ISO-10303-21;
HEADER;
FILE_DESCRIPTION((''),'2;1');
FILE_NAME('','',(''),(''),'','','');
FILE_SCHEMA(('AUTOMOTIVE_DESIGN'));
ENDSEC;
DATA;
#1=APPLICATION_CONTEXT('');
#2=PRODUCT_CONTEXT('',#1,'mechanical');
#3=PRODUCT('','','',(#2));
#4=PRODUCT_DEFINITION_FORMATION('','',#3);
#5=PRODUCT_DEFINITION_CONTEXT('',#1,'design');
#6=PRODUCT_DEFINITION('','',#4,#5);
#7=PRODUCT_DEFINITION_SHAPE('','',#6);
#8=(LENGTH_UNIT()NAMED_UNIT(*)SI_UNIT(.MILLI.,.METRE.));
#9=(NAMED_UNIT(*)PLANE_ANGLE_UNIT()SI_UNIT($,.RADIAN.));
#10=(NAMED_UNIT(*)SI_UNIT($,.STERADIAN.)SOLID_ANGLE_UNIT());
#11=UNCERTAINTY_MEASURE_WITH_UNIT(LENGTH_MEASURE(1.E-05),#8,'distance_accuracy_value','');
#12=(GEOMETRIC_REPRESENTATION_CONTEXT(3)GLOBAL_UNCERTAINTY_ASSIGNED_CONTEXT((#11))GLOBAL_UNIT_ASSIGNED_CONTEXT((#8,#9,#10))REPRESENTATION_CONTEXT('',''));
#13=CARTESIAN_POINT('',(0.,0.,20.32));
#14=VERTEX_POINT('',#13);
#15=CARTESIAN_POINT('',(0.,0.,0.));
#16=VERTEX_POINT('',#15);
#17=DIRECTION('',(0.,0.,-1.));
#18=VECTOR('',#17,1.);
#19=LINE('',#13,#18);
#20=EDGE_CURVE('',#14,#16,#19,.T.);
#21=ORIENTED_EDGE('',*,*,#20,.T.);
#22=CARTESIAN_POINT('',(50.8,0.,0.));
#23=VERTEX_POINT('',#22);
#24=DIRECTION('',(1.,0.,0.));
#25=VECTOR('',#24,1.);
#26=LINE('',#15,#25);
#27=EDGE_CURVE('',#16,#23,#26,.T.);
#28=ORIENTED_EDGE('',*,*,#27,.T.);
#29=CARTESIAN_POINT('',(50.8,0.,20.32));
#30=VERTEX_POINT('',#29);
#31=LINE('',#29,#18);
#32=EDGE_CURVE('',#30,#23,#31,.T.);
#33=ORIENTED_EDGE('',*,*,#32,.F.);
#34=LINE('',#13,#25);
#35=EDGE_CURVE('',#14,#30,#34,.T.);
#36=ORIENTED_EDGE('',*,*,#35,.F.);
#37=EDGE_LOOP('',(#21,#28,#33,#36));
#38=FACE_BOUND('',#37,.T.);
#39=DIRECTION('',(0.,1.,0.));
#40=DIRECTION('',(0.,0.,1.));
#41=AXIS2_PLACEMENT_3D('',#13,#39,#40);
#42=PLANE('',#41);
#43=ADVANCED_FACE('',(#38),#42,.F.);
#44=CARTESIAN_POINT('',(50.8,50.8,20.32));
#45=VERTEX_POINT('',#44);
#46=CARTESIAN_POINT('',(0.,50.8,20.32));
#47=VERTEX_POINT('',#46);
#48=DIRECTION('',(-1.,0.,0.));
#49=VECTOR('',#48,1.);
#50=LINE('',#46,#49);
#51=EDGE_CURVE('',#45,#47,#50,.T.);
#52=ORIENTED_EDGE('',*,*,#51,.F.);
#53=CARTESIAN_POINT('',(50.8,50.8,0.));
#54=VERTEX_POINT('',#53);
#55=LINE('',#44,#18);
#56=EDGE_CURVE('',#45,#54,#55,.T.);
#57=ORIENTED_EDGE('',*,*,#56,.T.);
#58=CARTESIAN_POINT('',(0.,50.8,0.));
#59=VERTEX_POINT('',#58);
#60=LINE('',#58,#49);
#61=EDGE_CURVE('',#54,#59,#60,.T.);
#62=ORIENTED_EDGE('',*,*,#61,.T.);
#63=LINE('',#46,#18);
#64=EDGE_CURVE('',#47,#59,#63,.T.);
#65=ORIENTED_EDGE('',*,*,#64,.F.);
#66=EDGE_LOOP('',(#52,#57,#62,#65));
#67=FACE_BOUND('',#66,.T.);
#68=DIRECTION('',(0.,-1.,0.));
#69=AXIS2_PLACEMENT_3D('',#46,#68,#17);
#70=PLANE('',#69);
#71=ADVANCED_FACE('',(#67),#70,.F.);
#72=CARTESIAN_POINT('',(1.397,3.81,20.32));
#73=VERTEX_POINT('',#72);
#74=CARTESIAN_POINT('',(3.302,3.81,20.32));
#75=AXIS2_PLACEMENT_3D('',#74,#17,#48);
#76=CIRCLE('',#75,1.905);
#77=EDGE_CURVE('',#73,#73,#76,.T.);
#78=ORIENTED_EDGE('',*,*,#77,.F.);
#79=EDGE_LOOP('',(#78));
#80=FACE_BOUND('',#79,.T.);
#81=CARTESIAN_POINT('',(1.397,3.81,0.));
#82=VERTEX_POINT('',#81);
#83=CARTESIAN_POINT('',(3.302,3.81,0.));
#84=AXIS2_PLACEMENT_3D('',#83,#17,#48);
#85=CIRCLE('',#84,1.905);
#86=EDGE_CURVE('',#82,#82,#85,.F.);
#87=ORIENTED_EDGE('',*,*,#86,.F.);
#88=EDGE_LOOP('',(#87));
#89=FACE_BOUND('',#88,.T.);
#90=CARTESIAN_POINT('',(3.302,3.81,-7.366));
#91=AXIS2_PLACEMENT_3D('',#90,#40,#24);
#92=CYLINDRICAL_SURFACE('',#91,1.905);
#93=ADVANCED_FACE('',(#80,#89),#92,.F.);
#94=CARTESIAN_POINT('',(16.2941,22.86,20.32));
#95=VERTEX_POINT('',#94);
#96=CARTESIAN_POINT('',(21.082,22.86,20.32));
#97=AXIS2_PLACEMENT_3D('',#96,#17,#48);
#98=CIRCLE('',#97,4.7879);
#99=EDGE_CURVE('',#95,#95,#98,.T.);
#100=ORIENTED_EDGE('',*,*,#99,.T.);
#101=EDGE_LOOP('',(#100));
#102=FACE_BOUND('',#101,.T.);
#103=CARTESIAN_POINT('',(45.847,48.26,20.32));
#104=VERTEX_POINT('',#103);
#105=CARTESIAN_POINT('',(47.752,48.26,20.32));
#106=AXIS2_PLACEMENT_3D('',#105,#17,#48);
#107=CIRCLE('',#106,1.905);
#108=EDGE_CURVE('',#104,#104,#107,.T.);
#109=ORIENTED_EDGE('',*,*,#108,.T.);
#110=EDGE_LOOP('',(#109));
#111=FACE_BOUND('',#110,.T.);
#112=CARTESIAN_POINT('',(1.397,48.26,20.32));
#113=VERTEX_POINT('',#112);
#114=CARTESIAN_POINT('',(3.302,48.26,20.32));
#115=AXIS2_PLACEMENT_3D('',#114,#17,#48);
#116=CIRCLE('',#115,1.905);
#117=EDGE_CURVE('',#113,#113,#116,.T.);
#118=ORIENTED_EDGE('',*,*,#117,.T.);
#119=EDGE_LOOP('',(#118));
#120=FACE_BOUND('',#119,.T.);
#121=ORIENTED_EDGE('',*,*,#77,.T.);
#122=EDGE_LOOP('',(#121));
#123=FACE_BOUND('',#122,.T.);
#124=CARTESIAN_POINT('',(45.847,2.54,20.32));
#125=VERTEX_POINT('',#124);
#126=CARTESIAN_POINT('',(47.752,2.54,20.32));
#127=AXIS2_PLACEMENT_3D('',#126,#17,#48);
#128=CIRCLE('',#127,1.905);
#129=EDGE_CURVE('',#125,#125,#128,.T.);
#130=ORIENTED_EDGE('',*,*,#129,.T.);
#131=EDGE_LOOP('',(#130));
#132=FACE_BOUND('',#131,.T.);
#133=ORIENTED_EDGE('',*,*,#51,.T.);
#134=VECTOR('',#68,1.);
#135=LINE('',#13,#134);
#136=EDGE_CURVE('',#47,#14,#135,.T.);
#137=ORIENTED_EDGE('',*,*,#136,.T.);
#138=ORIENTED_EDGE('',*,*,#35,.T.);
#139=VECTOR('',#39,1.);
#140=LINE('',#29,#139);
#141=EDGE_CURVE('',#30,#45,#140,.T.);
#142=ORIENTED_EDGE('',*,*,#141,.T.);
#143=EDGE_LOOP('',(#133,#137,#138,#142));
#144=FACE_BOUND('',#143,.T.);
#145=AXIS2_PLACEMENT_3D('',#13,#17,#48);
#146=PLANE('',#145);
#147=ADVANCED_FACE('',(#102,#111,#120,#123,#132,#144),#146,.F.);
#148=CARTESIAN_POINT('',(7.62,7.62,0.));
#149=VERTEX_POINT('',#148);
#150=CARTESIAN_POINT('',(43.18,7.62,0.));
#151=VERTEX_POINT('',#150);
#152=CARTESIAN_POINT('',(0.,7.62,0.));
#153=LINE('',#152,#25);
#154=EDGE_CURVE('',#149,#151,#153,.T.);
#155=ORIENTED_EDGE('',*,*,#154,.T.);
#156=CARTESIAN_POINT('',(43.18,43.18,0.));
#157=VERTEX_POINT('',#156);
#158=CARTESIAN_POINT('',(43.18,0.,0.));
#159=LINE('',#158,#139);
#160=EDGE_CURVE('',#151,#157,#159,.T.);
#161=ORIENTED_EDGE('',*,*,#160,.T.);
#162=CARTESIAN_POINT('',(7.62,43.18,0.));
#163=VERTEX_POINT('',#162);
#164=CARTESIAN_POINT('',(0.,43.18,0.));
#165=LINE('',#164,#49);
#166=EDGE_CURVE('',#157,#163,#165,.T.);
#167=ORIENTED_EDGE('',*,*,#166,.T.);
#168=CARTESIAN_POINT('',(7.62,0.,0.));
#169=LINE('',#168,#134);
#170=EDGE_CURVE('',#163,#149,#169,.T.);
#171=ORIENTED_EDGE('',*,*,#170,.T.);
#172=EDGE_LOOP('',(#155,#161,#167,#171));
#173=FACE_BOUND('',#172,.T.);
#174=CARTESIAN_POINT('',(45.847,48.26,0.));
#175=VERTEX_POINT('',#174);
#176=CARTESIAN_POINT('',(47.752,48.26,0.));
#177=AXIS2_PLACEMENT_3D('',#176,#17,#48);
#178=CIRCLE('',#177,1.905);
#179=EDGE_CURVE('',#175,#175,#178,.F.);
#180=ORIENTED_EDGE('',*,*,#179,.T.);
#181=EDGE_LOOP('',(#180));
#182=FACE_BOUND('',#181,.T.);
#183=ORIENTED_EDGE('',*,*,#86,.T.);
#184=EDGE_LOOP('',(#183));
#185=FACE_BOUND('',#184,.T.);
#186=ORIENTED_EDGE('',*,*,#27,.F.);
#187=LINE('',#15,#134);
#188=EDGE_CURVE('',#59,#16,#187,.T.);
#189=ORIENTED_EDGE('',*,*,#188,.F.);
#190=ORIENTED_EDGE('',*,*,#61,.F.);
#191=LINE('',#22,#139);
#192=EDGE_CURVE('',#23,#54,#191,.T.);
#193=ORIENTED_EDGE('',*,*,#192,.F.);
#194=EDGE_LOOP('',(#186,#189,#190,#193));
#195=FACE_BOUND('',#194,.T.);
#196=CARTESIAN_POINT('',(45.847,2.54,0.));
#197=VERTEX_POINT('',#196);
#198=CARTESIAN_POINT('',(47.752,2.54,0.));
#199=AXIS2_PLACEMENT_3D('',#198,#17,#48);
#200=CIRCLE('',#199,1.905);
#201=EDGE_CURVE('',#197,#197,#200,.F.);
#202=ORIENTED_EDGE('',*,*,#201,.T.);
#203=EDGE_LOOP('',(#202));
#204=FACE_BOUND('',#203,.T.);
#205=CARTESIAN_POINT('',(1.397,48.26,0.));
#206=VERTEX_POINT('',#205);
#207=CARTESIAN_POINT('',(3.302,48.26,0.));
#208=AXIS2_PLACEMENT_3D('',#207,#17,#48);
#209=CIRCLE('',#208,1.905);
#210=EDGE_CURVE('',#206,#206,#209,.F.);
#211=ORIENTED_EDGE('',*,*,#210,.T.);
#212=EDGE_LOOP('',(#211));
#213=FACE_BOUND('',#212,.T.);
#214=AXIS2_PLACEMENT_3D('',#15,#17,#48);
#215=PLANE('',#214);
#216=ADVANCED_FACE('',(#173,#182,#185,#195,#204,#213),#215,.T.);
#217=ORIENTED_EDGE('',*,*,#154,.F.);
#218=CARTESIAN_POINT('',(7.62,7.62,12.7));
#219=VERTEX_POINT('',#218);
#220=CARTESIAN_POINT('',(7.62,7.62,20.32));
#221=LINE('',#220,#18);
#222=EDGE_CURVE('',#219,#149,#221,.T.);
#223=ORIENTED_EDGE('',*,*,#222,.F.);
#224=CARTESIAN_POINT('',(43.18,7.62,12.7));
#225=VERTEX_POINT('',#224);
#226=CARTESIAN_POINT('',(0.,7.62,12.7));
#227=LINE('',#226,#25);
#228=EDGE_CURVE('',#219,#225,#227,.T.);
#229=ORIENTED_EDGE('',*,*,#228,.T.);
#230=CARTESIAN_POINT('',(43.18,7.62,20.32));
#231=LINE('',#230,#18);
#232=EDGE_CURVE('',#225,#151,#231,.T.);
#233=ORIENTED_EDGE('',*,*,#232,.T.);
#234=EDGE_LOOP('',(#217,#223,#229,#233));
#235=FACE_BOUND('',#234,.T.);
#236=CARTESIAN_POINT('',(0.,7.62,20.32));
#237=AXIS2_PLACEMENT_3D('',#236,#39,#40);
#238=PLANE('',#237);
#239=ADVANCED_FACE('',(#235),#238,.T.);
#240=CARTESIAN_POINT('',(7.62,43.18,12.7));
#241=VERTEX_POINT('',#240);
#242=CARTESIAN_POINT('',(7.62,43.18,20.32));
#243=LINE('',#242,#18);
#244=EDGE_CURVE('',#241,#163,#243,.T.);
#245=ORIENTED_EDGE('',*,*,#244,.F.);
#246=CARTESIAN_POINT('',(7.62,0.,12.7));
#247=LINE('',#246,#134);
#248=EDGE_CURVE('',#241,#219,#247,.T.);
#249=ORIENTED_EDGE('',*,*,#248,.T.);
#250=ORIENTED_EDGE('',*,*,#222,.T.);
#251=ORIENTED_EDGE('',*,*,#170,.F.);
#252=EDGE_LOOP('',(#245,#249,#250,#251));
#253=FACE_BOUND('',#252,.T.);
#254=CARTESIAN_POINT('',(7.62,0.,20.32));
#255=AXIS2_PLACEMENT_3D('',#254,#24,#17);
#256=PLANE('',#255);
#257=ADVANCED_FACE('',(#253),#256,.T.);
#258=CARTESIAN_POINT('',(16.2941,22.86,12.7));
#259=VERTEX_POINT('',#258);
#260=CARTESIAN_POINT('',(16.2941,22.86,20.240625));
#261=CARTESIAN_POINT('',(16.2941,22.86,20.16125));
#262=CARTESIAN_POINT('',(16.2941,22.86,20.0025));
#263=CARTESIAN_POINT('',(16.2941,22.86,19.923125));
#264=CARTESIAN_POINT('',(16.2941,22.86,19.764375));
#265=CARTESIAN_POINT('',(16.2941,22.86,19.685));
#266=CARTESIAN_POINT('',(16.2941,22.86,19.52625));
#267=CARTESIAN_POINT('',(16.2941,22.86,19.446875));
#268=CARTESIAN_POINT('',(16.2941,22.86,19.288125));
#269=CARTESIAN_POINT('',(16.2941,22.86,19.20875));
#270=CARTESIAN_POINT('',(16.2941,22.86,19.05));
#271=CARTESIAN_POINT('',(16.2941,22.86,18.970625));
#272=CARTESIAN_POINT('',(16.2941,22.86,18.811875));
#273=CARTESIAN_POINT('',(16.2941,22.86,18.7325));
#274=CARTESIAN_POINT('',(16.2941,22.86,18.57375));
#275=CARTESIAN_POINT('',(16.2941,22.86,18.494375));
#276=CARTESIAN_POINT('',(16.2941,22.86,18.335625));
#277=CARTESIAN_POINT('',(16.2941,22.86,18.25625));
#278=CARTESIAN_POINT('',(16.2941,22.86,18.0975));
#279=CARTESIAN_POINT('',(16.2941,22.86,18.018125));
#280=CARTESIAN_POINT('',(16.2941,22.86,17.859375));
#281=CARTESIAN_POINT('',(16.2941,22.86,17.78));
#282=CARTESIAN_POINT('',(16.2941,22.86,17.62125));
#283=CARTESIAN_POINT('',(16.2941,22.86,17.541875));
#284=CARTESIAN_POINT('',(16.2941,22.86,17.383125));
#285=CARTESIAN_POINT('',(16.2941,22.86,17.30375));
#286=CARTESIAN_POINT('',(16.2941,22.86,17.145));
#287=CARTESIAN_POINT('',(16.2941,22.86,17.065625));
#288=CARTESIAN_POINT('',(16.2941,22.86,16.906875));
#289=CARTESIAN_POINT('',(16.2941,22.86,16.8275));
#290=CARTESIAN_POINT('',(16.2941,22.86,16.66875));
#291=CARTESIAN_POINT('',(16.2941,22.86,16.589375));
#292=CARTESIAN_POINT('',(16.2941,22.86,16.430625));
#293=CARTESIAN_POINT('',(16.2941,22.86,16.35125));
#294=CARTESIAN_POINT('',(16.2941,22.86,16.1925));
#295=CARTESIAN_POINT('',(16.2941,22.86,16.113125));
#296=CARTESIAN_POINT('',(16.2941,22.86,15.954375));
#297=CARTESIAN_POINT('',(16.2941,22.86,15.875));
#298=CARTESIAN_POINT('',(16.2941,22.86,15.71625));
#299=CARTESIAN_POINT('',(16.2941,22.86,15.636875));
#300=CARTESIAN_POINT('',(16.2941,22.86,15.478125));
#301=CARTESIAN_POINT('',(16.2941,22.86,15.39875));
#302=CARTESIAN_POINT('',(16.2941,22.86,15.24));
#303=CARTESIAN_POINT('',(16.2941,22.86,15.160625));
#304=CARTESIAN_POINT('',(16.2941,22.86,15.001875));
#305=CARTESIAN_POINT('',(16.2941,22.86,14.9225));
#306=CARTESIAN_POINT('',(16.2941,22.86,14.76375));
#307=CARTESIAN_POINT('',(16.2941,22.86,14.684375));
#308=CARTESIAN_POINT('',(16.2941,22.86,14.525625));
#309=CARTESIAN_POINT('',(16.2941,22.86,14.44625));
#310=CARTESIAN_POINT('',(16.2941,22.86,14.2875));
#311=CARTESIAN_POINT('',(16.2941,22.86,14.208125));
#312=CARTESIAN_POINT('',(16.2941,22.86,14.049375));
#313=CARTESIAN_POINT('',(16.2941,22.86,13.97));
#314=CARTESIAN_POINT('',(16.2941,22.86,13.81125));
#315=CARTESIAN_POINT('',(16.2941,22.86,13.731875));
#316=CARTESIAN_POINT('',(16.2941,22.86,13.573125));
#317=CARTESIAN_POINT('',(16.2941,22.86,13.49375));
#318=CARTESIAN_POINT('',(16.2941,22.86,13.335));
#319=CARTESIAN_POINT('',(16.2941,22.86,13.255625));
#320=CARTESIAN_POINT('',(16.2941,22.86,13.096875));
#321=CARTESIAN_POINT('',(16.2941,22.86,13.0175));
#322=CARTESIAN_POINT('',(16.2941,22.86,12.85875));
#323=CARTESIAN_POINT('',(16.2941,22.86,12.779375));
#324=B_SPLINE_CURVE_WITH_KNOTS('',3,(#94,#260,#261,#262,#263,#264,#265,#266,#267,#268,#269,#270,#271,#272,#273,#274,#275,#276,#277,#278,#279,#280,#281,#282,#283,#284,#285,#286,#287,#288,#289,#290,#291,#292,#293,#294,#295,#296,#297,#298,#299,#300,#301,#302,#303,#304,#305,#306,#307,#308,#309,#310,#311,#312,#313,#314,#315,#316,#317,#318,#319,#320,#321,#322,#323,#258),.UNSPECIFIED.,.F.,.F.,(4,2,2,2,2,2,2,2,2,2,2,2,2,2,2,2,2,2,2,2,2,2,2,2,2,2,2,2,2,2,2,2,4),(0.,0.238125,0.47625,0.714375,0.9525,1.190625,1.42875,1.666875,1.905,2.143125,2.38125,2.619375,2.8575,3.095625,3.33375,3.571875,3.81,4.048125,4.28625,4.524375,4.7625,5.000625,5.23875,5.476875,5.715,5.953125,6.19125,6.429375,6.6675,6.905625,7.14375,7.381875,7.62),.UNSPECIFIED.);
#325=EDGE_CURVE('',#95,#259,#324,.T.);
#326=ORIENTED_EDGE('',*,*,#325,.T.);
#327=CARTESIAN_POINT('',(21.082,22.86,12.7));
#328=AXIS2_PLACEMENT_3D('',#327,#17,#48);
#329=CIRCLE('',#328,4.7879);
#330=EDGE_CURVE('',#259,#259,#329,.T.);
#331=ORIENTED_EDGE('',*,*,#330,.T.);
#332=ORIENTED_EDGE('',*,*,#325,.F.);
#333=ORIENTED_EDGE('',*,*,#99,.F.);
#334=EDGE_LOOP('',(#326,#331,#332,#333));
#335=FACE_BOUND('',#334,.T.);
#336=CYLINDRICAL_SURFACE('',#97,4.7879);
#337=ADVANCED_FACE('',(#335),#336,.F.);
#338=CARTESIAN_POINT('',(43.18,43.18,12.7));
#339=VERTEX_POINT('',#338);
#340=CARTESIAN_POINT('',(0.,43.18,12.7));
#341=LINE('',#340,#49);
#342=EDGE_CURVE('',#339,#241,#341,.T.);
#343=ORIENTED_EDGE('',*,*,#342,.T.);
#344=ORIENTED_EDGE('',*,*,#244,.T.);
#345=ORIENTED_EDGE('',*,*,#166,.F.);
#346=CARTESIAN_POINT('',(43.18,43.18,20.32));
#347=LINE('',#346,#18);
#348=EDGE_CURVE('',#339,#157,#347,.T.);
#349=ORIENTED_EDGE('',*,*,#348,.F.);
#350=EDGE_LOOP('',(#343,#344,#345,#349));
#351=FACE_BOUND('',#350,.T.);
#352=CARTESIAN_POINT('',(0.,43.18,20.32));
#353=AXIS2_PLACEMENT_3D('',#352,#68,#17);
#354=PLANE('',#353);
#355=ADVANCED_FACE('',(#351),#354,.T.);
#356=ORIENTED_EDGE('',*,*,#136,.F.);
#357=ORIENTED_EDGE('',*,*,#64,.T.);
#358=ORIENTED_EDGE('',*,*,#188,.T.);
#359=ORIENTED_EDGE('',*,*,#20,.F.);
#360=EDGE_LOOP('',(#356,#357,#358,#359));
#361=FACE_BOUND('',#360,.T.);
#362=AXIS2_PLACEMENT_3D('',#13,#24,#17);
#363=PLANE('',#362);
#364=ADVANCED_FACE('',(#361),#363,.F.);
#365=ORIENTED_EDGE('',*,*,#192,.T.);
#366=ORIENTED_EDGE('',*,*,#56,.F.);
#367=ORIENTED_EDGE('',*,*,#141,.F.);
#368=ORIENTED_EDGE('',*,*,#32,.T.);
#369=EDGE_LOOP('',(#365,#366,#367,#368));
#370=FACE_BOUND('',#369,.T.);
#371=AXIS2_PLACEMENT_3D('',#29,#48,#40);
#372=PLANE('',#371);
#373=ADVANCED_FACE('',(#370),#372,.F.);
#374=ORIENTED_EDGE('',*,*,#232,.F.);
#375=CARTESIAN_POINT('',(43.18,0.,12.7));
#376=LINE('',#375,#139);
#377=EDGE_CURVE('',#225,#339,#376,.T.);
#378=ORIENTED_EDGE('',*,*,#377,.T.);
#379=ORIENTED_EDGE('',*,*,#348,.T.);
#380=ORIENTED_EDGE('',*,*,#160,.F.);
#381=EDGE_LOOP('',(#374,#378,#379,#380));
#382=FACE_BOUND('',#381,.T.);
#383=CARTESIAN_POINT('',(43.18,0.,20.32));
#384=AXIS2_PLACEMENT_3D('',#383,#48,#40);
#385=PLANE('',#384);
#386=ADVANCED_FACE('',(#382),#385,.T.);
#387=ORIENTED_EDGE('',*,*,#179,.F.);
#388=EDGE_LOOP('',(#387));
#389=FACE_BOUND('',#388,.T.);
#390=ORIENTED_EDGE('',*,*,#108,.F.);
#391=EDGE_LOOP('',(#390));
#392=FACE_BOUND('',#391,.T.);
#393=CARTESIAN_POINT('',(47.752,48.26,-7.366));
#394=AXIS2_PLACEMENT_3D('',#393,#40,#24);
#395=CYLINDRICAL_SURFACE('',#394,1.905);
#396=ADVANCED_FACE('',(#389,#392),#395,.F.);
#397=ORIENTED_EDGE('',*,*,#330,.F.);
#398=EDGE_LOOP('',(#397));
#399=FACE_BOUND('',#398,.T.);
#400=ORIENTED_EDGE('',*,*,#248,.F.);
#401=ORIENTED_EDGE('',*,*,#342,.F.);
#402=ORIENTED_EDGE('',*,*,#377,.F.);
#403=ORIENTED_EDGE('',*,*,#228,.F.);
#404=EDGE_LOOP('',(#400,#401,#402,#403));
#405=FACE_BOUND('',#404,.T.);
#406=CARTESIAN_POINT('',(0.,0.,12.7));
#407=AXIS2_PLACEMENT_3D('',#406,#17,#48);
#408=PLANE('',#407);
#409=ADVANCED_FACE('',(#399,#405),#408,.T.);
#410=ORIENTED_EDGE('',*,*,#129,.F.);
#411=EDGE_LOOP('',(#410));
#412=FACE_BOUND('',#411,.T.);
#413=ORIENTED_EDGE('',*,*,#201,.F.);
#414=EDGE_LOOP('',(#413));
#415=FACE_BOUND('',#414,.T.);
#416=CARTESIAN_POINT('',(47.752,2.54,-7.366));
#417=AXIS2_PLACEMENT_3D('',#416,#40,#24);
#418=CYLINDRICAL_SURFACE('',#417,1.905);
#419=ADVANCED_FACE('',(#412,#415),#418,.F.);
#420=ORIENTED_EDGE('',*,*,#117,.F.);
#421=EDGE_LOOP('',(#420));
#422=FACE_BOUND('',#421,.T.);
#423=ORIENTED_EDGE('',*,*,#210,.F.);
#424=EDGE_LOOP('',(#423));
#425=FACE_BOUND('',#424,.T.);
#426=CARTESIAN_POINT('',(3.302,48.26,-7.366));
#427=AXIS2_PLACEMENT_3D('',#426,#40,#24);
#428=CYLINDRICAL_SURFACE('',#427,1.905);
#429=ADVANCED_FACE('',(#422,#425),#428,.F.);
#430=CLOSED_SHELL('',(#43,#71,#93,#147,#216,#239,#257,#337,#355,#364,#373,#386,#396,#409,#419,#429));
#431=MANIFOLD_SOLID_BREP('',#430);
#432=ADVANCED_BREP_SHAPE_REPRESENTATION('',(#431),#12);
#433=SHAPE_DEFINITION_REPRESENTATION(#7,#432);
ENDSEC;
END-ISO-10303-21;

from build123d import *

# Parameters (mm, degrees)
SKETCH7_W               = 50.8
SKETCH7_H               = 50.8
BOSS_EXTRUDE3_DEPTH     = 20.32
SHELL4_T                = -7.62
CUT_EXTRUDE4_DEPTH      = 20.066
CUT_EXTRUDE4_DEPTH_BACK = 73.955945611
SKETCH10_R              = 1.905
SKETCH11_R              = 4.7879
CUT_EXTRUDE5_DEPTH      = 7.62


with BuildPart() as part:
    # Sketch7 → Boss-Extrude3 (new body)
    with BuildSketch(Plane.XY):
        with Locations((25.4, 25.4)):
            Rectangle(SKETCH7_W, SKETCH7_H)
    extrude(amount=BOSS_EXTRUDE3_DEPTH)

    # Shell4
    shell4_openings = [part.faces().sort_by_distance(p)[0] for p in [
        (25.4, 25.4, 0),
    ]]
    offset(amount=SHELL4_T, openings=shell4_openings, kind=Kind.INTERSECTION)

    # Sketch10 → Cut-Extrude4 (cut, two sides: drawn at the far end of the back side and taken through both)
    with BuildSketch(Plane(origin=(0, 0, 12.7), x_dir=(-1, 0, 0), z_dir=(0, 0, -1)).offset(-CUT_EXTRUDE4_DEPTH_BACK)):
        with Locations((-47.752, 48.26)):
            Circle(SKETCH10_R)
        with Locations((-3.302, 48.26)):
            Circle(SKETCH10_R)
        with Locations((-47.752, 2.54)):
            Circle(SKETCH10_R)
        with Locations((-3.302, 3.81)):
            Circle(SKETCH10_R)
    extrude(amount=CUT_EXTRUDE4_DEPTH + CUT_EXTRUDE4_DEPTH_BACK, mode=Mode.SUBTRACT)

    # Sketch11 → Cut-Extrude5 (cut)
    with BuildSketch(Plane(origin=(0, 0, 12.7), x_dir=(-1, 0, 0), z_dir=(0, 0, -1))):
        with Locations((-21.082, 22.86)):
            Circle(SKETCH11_R)
    extrude(amount=-CUT_EXTRUDE5_DEPTH, mode=Mode.SUBTRACT)


solid = part.part
